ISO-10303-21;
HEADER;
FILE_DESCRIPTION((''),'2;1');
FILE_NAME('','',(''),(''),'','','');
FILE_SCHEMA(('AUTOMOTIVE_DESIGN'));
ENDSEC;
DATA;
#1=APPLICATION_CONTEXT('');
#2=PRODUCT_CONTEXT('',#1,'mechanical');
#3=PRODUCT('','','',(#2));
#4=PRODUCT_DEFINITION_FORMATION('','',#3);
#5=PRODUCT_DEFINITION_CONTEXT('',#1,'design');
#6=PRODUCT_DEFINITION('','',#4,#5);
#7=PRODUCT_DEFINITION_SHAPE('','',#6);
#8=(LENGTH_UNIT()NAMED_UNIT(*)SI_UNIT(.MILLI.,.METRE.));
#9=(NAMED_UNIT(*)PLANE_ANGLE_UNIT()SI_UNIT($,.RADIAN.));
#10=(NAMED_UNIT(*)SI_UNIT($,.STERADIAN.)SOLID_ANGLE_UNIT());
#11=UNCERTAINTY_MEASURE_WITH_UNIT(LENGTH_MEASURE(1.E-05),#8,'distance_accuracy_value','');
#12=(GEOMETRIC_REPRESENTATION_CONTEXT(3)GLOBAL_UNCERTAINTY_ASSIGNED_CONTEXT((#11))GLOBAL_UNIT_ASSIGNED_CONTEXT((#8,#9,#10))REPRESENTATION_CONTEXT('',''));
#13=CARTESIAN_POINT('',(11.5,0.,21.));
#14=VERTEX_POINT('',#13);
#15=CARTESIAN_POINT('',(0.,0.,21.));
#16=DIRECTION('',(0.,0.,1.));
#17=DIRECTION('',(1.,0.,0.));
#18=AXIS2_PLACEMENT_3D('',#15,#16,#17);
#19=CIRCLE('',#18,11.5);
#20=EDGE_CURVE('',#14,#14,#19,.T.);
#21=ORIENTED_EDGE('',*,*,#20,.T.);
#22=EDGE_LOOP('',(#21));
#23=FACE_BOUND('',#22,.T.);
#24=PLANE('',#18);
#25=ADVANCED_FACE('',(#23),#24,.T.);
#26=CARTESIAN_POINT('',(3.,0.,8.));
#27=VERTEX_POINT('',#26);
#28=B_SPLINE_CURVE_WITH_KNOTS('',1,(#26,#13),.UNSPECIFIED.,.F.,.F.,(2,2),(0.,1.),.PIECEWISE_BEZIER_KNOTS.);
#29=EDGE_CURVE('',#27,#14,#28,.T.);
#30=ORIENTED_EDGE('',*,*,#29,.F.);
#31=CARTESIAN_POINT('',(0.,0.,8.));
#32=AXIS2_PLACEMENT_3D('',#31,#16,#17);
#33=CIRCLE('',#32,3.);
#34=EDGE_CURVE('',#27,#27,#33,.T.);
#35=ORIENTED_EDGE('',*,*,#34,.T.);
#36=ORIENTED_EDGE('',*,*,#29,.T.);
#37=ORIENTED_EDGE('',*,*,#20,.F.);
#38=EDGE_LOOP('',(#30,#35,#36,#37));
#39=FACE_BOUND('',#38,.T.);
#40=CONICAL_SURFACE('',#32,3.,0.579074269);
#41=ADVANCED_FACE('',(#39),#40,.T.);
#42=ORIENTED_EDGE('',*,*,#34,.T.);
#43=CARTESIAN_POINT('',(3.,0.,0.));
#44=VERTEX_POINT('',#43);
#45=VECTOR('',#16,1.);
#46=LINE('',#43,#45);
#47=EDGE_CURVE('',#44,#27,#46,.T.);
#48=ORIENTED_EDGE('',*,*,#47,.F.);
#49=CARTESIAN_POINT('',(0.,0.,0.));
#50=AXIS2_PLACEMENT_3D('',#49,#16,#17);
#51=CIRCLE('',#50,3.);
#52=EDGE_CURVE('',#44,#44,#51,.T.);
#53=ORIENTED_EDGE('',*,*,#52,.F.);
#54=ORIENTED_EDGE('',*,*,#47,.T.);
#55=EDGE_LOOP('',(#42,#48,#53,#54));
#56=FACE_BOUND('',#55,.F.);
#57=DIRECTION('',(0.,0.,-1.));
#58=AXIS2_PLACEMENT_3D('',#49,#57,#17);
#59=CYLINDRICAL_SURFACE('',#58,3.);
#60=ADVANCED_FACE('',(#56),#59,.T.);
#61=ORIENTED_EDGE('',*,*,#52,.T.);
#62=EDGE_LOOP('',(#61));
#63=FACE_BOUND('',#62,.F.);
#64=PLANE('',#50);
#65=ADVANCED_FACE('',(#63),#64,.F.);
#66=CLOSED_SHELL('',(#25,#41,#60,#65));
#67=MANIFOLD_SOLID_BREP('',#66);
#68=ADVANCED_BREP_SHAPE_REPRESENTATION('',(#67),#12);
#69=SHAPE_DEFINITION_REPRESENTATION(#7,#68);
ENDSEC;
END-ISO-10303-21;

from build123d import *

# Parameters (mm, degrees)
F0_R     = 3
F2_DEPTH = 8
F3_R     = 3
F5_R     = 11.5


with BuildPart() as f2:
    # F0 (on Top) → F2 (new body)
    with BuildSketch(Plane.XY):
        Circle(F0_R)
    extrude(amount=F2_DEPTH)

    # F3 (on offset) → F6 section 0
    with BuildSketch(Plane.XY.offset(8)):
        Circle(F3_R)
    # F5 (on offset) → F6 section 1
    with BuildSketch(Plane.XY.offset(21)):
        Circle(F5_R)
    loft()


solid = f2.part
